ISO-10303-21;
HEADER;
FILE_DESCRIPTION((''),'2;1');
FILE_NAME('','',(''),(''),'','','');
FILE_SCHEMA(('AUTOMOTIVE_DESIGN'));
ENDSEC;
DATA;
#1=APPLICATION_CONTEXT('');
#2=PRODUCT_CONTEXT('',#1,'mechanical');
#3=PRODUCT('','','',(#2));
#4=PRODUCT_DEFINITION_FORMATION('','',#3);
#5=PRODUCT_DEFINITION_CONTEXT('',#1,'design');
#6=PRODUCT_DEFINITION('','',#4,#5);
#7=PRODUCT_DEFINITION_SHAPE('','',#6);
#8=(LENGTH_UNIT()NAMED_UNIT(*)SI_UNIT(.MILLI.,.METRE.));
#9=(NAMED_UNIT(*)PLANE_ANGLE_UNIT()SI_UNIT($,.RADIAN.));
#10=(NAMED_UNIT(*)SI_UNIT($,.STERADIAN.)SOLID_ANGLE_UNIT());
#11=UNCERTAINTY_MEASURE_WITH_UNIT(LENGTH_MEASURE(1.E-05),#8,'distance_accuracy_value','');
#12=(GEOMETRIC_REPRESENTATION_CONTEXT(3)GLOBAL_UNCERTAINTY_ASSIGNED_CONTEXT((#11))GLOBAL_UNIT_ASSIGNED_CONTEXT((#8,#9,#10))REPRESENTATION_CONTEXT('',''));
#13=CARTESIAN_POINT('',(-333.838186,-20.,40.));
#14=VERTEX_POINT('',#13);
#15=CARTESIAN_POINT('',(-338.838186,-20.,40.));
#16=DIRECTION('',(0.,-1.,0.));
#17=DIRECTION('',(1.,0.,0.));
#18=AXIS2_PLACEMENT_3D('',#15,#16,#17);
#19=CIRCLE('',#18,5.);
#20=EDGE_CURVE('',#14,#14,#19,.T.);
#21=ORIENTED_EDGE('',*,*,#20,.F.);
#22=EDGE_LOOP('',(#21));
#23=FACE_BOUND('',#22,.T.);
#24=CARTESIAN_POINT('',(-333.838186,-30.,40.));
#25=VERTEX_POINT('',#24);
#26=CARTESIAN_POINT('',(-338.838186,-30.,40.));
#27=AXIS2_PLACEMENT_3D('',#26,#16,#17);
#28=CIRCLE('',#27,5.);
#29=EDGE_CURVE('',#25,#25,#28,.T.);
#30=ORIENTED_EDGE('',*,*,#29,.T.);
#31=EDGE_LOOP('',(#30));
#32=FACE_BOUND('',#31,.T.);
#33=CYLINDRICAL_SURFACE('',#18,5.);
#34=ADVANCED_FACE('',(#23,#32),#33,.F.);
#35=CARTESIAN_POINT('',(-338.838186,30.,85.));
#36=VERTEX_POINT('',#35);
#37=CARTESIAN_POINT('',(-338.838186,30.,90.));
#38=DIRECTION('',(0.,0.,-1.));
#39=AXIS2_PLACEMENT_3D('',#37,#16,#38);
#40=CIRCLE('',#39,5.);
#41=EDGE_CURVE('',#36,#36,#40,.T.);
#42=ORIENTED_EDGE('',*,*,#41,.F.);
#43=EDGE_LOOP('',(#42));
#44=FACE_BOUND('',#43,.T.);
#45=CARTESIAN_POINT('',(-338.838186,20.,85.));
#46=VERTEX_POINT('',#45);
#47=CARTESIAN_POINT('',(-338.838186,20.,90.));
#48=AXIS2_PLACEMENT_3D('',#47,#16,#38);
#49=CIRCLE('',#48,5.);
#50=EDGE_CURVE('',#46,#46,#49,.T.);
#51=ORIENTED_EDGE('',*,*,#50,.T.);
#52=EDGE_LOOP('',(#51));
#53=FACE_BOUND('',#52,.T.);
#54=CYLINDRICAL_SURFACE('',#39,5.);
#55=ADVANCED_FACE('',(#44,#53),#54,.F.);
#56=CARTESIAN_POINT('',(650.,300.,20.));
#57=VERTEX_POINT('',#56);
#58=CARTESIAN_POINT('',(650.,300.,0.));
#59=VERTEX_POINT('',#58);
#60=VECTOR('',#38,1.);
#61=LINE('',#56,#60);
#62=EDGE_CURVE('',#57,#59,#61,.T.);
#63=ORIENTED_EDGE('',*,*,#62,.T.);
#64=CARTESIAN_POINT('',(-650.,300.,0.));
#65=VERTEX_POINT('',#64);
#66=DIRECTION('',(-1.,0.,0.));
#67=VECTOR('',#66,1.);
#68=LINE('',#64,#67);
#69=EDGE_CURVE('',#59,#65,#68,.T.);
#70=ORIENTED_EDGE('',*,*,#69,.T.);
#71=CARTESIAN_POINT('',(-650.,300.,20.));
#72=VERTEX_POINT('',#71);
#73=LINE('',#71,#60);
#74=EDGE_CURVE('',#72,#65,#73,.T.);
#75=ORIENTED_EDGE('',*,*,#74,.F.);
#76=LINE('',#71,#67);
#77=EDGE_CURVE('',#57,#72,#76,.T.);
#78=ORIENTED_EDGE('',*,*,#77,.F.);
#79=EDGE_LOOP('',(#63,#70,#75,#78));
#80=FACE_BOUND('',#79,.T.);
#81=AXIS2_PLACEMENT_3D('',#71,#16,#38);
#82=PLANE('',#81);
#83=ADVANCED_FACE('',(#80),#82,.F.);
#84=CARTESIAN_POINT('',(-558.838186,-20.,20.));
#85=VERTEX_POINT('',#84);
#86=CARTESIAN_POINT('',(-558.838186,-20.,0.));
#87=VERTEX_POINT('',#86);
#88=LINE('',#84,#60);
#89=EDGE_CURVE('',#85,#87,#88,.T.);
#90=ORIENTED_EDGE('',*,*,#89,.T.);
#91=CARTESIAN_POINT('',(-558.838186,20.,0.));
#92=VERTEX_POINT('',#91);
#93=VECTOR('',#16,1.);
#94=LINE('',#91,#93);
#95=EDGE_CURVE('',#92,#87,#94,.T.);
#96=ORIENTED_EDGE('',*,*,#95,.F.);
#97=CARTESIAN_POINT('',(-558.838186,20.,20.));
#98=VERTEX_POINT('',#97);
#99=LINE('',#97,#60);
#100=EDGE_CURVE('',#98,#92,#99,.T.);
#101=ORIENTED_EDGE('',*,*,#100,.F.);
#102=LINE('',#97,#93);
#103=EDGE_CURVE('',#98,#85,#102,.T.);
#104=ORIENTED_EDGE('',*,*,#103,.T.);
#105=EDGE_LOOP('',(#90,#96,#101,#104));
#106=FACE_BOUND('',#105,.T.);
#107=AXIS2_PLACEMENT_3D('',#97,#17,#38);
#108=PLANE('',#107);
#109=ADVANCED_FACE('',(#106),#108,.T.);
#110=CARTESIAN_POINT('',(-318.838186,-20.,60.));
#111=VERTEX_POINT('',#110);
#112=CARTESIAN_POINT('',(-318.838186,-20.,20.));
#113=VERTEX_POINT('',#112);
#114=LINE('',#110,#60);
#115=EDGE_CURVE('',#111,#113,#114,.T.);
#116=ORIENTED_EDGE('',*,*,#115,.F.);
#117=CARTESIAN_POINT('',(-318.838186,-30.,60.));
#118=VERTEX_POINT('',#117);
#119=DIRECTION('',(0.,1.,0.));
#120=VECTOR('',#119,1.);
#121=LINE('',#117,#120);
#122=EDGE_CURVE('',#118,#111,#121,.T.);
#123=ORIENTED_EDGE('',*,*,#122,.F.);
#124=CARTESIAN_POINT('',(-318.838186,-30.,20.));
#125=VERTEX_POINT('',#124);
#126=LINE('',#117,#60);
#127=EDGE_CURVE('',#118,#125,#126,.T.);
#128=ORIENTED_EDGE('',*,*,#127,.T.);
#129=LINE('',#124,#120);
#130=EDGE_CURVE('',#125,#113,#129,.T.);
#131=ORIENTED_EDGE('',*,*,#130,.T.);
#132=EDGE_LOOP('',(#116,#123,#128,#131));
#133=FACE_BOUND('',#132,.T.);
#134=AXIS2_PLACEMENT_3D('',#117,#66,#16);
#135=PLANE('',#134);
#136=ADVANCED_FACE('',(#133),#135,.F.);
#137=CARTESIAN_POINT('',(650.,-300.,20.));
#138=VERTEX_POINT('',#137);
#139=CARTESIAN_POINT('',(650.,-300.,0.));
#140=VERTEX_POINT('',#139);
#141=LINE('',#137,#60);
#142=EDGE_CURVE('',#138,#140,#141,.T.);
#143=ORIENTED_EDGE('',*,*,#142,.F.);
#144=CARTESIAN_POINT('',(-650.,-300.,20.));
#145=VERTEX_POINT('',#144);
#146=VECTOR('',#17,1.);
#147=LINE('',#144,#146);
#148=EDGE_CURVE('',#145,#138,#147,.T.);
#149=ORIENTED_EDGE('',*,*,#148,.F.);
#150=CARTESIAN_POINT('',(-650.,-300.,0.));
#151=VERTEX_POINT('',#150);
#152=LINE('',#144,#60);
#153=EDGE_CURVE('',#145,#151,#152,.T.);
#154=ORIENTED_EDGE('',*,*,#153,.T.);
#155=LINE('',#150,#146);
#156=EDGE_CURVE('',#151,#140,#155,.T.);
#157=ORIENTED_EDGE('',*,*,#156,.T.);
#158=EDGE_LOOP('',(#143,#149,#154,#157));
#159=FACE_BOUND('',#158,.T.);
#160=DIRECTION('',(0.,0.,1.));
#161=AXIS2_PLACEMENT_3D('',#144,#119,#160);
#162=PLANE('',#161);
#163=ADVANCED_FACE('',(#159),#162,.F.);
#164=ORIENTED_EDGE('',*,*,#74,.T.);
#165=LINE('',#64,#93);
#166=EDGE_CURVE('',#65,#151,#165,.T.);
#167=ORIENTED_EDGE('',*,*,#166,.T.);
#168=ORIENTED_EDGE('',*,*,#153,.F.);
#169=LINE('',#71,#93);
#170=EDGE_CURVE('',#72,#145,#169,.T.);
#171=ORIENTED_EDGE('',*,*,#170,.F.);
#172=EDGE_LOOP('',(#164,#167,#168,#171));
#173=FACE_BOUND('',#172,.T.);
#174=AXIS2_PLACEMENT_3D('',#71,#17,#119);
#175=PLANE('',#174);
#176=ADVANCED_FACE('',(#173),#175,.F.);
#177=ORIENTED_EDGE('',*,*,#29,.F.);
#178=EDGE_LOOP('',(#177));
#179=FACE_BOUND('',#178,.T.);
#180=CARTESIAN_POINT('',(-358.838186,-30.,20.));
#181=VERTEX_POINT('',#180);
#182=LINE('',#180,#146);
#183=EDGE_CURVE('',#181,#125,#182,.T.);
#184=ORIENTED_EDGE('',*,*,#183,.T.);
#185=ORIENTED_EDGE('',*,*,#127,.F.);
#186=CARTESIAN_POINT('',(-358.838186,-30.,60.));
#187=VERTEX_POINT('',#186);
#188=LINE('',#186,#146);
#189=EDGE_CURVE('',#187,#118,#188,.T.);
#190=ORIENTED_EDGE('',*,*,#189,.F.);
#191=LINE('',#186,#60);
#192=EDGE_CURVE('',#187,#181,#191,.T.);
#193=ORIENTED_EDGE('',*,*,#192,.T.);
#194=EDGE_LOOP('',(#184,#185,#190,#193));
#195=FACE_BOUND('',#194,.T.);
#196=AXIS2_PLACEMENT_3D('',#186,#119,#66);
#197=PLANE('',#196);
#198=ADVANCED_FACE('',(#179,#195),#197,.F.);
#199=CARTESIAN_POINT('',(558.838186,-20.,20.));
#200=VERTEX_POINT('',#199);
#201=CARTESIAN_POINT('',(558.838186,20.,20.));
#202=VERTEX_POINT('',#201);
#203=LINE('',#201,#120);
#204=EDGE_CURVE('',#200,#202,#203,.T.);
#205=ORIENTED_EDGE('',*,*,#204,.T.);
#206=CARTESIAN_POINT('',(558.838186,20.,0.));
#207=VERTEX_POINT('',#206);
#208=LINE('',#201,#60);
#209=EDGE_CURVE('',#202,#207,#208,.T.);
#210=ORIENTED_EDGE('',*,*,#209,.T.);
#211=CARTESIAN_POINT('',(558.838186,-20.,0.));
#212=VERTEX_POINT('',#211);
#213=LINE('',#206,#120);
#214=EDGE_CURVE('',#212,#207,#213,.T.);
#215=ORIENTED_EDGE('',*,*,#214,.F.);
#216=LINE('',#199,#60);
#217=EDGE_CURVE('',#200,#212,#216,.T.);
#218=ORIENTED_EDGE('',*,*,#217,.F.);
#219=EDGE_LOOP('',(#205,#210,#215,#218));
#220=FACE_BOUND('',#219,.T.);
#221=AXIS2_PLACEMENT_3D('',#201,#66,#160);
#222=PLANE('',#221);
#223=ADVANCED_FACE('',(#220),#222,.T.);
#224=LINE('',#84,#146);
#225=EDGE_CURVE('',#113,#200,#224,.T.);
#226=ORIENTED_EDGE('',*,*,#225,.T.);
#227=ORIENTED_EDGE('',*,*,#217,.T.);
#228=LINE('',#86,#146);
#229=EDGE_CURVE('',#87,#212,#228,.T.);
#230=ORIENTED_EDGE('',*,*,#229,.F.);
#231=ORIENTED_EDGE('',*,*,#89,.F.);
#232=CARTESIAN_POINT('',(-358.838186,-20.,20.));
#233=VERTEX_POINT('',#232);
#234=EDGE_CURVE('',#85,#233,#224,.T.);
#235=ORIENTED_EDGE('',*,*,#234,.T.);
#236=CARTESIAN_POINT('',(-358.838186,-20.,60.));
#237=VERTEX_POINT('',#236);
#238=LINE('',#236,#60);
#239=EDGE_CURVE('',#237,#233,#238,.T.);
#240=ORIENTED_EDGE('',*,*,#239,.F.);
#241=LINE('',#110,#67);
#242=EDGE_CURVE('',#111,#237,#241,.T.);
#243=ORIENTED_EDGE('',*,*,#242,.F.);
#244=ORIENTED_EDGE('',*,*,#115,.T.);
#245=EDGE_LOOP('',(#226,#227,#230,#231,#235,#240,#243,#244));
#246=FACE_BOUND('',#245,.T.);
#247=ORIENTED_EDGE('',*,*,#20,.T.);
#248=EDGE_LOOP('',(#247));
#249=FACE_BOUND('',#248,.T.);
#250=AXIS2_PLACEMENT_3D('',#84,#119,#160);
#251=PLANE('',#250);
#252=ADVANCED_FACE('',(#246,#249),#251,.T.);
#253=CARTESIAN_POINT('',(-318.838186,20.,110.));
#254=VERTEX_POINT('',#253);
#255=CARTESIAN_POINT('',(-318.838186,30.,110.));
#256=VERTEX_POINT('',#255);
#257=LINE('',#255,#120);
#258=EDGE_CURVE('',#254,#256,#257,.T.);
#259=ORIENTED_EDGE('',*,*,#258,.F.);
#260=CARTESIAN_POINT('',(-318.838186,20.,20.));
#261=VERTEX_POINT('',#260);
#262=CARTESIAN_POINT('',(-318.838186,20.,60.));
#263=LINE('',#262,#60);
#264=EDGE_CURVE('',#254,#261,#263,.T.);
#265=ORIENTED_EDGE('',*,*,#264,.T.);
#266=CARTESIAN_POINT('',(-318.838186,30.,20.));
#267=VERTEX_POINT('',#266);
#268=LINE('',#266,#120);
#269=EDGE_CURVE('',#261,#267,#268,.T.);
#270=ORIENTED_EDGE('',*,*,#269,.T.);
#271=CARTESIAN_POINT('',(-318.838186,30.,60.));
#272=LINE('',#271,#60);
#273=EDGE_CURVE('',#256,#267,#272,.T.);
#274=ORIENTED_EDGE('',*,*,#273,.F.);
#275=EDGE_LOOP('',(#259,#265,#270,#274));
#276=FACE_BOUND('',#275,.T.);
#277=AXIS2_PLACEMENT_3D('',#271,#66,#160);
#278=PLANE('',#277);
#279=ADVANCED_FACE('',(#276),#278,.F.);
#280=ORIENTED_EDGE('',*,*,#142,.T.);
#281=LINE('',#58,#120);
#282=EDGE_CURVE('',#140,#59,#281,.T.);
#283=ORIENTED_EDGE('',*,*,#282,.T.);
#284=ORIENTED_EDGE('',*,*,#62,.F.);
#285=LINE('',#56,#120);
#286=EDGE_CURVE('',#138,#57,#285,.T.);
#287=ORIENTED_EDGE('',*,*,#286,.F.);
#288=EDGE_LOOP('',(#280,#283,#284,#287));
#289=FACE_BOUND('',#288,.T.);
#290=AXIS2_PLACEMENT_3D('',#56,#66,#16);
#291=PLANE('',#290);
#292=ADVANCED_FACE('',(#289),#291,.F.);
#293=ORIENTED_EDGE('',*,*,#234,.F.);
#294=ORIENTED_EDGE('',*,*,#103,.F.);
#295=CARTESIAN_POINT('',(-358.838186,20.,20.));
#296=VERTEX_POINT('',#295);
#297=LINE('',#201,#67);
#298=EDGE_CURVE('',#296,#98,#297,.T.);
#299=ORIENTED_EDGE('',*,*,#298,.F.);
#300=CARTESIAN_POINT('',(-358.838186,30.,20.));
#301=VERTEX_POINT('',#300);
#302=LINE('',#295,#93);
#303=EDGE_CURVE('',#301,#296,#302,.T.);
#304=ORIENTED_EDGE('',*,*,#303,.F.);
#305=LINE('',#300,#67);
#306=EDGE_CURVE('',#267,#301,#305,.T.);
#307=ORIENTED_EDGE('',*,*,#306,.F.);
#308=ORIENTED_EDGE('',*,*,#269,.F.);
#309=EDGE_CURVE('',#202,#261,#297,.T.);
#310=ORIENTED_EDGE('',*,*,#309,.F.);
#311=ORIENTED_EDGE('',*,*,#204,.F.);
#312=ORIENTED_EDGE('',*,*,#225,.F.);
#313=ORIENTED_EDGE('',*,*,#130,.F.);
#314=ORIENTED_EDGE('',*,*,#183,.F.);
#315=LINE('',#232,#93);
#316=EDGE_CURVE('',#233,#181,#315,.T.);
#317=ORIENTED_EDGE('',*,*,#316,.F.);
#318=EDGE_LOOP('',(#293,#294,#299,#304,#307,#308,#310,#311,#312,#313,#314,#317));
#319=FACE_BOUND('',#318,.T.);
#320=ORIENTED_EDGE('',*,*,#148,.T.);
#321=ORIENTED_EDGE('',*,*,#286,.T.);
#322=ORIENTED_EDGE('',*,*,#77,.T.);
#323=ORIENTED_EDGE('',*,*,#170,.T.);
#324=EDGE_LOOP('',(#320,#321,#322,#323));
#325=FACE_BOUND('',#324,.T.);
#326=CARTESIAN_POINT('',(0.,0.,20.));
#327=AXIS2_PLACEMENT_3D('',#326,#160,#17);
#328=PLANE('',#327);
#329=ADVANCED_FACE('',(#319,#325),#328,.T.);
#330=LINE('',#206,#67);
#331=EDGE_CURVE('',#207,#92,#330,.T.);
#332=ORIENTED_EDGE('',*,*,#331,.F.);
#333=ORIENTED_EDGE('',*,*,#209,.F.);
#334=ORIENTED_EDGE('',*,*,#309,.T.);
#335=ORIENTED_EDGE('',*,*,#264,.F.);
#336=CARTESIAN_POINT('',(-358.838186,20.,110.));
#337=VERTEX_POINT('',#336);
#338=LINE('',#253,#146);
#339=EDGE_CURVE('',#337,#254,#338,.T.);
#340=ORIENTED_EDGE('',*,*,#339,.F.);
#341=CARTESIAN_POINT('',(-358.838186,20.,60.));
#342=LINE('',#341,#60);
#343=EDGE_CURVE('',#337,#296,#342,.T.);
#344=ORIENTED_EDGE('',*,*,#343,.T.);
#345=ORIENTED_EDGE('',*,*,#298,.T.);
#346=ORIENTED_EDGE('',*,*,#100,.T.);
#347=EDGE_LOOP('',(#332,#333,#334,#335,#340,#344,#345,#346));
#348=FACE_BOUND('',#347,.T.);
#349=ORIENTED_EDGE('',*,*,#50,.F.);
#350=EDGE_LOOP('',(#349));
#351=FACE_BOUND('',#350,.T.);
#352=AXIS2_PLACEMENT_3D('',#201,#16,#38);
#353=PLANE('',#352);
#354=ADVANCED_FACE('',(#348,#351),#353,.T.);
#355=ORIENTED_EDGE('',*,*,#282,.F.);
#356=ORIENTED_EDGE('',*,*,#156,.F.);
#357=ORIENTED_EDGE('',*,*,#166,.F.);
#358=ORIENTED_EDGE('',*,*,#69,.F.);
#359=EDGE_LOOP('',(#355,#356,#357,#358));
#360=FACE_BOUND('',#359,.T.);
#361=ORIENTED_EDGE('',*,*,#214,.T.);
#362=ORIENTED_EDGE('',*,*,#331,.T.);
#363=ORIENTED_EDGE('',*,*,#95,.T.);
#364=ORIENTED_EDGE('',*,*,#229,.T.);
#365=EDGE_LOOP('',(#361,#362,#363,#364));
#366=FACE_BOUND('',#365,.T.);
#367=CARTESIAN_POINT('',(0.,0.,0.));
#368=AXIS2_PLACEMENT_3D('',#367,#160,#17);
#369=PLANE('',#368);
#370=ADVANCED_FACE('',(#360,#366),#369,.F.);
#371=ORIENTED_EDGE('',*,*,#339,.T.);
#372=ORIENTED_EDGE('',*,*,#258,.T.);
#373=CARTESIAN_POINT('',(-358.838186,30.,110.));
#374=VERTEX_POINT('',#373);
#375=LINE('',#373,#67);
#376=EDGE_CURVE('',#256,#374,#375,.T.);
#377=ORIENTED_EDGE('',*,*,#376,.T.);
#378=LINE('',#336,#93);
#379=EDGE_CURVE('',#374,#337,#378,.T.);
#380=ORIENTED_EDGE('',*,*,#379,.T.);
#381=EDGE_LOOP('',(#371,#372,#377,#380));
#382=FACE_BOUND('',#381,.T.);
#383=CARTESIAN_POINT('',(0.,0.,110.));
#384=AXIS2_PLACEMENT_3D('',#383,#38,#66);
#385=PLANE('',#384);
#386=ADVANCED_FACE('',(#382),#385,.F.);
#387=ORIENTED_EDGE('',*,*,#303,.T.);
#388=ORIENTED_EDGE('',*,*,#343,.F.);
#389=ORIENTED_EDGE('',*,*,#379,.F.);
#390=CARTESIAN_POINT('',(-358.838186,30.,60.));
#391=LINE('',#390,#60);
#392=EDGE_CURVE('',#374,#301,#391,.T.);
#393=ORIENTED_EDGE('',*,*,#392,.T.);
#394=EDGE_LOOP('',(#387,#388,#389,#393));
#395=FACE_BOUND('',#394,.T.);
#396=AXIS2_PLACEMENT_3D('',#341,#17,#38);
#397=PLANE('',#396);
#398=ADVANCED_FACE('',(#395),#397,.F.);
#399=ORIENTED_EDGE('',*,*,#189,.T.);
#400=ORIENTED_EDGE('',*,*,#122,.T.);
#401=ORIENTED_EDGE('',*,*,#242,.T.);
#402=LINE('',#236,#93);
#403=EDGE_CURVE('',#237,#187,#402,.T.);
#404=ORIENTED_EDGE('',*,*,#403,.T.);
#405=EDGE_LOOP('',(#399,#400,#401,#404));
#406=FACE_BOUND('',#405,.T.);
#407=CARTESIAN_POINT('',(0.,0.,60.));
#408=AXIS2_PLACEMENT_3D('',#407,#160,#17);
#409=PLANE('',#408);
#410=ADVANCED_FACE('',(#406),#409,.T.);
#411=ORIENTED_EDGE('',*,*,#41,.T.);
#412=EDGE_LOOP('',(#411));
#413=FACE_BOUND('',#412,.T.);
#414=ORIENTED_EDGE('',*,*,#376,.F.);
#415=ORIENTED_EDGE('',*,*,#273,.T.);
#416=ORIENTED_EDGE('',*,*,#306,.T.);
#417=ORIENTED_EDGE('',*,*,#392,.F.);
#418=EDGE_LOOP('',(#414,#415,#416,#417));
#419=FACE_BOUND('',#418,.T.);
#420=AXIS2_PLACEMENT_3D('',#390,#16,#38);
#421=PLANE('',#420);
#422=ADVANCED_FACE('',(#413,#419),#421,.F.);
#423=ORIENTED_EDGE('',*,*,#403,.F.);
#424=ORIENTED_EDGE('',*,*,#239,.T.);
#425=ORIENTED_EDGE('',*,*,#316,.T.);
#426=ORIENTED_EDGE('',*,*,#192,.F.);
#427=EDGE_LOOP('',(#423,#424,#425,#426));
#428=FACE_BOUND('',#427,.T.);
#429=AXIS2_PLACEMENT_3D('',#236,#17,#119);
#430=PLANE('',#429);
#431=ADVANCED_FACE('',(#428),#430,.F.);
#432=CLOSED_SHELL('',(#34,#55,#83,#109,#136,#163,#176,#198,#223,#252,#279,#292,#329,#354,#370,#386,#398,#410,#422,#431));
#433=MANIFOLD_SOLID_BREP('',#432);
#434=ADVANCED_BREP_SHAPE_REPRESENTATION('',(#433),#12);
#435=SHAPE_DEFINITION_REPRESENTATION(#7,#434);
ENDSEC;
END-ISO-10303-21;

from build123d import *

# Parameters (mm, degrees)
SKETCH1_W           = 1300
SKETCH1_H           = 600
SKETCH1_W_2         = 1117.676372874
SKETCH1_H_2         = 40
BOSS_EXTRUDE1_DEPTH = 20
SKETCH2_W           = 40
SKETCH2_H           = 10
BOSS_EXTRUDE2_DEPTH = 40
SKETCH3_R           = 5
CUT_EXTRUDE1_DEPTH  = 10
SKETCH4_W           = 40
SKETCH4_H           = 10
BOSS_EXTRUDE3_DEPTH = 50
SKETCH5_R           = 5
CUT_EXTRUDE2_DEPTH  = 10


with BuildPart() as part:
    # Sketch1 → Boss-Extrude1 (new body)
    with BuildSketch(Plane.XY):
        Rectangle(SKETCH1_W, SKETCH1_H)
        Rectangle(SKETCH1_W_2, SKETCH1_H_2, mode=Mode.SUBTRACT)
    extrude(amount=BOSS_EXTRUDE1_DEPTH)

    # Sketch2 → Boss-Extrude2 (add)
    with BuildSketch(Plane.XY.offset(20)):
        with Locations((-338.838186437, 25)):
            Rectangle(SKETCH2_W, SKETCH2_H)
        with Locations((-338.838186437, -25)):
            Rectangle(SKETCH2_W, SKETCH2_H)
    extrude(amount=BOSS_EXTRUDE2_DEPTH)

    # Sketch3 → Cut-Extrude1 (cut)
    with BuildSketch(Plane.XZ.offset(30)):
        with Locations((-338.838186437, 40)):
            Circle(SKETCH3_R)
    extrude(amount=-CUT_EXTRUDE1_DEPTH, mode=Mode.SUBTRACT)

    # Sketch4 → Boss-Extrude3 (add)
    with BuildSketch(Plane.XY.offset(60)):
        with Locations((-338.838186437, 25)):
            Rectangle(SKETCH4_W, SKETCH4_H)
    extrude(amount=BOSS_EXTRUDE3_DEPTH)

    # Sketch5 → Cut-Extrude2 (cut)
    with BuildSketch(Plane.XZ.offset(-20)):
        with Locations(Location((-338.838186437, 90, 0), (0, 0, 270))):
            Circle(SKETCH5_R)
    extrude(amount=-CUT_EXTRUDE2_DEPTH, mode=Mode.SUBTRACT)


solid = part.part
